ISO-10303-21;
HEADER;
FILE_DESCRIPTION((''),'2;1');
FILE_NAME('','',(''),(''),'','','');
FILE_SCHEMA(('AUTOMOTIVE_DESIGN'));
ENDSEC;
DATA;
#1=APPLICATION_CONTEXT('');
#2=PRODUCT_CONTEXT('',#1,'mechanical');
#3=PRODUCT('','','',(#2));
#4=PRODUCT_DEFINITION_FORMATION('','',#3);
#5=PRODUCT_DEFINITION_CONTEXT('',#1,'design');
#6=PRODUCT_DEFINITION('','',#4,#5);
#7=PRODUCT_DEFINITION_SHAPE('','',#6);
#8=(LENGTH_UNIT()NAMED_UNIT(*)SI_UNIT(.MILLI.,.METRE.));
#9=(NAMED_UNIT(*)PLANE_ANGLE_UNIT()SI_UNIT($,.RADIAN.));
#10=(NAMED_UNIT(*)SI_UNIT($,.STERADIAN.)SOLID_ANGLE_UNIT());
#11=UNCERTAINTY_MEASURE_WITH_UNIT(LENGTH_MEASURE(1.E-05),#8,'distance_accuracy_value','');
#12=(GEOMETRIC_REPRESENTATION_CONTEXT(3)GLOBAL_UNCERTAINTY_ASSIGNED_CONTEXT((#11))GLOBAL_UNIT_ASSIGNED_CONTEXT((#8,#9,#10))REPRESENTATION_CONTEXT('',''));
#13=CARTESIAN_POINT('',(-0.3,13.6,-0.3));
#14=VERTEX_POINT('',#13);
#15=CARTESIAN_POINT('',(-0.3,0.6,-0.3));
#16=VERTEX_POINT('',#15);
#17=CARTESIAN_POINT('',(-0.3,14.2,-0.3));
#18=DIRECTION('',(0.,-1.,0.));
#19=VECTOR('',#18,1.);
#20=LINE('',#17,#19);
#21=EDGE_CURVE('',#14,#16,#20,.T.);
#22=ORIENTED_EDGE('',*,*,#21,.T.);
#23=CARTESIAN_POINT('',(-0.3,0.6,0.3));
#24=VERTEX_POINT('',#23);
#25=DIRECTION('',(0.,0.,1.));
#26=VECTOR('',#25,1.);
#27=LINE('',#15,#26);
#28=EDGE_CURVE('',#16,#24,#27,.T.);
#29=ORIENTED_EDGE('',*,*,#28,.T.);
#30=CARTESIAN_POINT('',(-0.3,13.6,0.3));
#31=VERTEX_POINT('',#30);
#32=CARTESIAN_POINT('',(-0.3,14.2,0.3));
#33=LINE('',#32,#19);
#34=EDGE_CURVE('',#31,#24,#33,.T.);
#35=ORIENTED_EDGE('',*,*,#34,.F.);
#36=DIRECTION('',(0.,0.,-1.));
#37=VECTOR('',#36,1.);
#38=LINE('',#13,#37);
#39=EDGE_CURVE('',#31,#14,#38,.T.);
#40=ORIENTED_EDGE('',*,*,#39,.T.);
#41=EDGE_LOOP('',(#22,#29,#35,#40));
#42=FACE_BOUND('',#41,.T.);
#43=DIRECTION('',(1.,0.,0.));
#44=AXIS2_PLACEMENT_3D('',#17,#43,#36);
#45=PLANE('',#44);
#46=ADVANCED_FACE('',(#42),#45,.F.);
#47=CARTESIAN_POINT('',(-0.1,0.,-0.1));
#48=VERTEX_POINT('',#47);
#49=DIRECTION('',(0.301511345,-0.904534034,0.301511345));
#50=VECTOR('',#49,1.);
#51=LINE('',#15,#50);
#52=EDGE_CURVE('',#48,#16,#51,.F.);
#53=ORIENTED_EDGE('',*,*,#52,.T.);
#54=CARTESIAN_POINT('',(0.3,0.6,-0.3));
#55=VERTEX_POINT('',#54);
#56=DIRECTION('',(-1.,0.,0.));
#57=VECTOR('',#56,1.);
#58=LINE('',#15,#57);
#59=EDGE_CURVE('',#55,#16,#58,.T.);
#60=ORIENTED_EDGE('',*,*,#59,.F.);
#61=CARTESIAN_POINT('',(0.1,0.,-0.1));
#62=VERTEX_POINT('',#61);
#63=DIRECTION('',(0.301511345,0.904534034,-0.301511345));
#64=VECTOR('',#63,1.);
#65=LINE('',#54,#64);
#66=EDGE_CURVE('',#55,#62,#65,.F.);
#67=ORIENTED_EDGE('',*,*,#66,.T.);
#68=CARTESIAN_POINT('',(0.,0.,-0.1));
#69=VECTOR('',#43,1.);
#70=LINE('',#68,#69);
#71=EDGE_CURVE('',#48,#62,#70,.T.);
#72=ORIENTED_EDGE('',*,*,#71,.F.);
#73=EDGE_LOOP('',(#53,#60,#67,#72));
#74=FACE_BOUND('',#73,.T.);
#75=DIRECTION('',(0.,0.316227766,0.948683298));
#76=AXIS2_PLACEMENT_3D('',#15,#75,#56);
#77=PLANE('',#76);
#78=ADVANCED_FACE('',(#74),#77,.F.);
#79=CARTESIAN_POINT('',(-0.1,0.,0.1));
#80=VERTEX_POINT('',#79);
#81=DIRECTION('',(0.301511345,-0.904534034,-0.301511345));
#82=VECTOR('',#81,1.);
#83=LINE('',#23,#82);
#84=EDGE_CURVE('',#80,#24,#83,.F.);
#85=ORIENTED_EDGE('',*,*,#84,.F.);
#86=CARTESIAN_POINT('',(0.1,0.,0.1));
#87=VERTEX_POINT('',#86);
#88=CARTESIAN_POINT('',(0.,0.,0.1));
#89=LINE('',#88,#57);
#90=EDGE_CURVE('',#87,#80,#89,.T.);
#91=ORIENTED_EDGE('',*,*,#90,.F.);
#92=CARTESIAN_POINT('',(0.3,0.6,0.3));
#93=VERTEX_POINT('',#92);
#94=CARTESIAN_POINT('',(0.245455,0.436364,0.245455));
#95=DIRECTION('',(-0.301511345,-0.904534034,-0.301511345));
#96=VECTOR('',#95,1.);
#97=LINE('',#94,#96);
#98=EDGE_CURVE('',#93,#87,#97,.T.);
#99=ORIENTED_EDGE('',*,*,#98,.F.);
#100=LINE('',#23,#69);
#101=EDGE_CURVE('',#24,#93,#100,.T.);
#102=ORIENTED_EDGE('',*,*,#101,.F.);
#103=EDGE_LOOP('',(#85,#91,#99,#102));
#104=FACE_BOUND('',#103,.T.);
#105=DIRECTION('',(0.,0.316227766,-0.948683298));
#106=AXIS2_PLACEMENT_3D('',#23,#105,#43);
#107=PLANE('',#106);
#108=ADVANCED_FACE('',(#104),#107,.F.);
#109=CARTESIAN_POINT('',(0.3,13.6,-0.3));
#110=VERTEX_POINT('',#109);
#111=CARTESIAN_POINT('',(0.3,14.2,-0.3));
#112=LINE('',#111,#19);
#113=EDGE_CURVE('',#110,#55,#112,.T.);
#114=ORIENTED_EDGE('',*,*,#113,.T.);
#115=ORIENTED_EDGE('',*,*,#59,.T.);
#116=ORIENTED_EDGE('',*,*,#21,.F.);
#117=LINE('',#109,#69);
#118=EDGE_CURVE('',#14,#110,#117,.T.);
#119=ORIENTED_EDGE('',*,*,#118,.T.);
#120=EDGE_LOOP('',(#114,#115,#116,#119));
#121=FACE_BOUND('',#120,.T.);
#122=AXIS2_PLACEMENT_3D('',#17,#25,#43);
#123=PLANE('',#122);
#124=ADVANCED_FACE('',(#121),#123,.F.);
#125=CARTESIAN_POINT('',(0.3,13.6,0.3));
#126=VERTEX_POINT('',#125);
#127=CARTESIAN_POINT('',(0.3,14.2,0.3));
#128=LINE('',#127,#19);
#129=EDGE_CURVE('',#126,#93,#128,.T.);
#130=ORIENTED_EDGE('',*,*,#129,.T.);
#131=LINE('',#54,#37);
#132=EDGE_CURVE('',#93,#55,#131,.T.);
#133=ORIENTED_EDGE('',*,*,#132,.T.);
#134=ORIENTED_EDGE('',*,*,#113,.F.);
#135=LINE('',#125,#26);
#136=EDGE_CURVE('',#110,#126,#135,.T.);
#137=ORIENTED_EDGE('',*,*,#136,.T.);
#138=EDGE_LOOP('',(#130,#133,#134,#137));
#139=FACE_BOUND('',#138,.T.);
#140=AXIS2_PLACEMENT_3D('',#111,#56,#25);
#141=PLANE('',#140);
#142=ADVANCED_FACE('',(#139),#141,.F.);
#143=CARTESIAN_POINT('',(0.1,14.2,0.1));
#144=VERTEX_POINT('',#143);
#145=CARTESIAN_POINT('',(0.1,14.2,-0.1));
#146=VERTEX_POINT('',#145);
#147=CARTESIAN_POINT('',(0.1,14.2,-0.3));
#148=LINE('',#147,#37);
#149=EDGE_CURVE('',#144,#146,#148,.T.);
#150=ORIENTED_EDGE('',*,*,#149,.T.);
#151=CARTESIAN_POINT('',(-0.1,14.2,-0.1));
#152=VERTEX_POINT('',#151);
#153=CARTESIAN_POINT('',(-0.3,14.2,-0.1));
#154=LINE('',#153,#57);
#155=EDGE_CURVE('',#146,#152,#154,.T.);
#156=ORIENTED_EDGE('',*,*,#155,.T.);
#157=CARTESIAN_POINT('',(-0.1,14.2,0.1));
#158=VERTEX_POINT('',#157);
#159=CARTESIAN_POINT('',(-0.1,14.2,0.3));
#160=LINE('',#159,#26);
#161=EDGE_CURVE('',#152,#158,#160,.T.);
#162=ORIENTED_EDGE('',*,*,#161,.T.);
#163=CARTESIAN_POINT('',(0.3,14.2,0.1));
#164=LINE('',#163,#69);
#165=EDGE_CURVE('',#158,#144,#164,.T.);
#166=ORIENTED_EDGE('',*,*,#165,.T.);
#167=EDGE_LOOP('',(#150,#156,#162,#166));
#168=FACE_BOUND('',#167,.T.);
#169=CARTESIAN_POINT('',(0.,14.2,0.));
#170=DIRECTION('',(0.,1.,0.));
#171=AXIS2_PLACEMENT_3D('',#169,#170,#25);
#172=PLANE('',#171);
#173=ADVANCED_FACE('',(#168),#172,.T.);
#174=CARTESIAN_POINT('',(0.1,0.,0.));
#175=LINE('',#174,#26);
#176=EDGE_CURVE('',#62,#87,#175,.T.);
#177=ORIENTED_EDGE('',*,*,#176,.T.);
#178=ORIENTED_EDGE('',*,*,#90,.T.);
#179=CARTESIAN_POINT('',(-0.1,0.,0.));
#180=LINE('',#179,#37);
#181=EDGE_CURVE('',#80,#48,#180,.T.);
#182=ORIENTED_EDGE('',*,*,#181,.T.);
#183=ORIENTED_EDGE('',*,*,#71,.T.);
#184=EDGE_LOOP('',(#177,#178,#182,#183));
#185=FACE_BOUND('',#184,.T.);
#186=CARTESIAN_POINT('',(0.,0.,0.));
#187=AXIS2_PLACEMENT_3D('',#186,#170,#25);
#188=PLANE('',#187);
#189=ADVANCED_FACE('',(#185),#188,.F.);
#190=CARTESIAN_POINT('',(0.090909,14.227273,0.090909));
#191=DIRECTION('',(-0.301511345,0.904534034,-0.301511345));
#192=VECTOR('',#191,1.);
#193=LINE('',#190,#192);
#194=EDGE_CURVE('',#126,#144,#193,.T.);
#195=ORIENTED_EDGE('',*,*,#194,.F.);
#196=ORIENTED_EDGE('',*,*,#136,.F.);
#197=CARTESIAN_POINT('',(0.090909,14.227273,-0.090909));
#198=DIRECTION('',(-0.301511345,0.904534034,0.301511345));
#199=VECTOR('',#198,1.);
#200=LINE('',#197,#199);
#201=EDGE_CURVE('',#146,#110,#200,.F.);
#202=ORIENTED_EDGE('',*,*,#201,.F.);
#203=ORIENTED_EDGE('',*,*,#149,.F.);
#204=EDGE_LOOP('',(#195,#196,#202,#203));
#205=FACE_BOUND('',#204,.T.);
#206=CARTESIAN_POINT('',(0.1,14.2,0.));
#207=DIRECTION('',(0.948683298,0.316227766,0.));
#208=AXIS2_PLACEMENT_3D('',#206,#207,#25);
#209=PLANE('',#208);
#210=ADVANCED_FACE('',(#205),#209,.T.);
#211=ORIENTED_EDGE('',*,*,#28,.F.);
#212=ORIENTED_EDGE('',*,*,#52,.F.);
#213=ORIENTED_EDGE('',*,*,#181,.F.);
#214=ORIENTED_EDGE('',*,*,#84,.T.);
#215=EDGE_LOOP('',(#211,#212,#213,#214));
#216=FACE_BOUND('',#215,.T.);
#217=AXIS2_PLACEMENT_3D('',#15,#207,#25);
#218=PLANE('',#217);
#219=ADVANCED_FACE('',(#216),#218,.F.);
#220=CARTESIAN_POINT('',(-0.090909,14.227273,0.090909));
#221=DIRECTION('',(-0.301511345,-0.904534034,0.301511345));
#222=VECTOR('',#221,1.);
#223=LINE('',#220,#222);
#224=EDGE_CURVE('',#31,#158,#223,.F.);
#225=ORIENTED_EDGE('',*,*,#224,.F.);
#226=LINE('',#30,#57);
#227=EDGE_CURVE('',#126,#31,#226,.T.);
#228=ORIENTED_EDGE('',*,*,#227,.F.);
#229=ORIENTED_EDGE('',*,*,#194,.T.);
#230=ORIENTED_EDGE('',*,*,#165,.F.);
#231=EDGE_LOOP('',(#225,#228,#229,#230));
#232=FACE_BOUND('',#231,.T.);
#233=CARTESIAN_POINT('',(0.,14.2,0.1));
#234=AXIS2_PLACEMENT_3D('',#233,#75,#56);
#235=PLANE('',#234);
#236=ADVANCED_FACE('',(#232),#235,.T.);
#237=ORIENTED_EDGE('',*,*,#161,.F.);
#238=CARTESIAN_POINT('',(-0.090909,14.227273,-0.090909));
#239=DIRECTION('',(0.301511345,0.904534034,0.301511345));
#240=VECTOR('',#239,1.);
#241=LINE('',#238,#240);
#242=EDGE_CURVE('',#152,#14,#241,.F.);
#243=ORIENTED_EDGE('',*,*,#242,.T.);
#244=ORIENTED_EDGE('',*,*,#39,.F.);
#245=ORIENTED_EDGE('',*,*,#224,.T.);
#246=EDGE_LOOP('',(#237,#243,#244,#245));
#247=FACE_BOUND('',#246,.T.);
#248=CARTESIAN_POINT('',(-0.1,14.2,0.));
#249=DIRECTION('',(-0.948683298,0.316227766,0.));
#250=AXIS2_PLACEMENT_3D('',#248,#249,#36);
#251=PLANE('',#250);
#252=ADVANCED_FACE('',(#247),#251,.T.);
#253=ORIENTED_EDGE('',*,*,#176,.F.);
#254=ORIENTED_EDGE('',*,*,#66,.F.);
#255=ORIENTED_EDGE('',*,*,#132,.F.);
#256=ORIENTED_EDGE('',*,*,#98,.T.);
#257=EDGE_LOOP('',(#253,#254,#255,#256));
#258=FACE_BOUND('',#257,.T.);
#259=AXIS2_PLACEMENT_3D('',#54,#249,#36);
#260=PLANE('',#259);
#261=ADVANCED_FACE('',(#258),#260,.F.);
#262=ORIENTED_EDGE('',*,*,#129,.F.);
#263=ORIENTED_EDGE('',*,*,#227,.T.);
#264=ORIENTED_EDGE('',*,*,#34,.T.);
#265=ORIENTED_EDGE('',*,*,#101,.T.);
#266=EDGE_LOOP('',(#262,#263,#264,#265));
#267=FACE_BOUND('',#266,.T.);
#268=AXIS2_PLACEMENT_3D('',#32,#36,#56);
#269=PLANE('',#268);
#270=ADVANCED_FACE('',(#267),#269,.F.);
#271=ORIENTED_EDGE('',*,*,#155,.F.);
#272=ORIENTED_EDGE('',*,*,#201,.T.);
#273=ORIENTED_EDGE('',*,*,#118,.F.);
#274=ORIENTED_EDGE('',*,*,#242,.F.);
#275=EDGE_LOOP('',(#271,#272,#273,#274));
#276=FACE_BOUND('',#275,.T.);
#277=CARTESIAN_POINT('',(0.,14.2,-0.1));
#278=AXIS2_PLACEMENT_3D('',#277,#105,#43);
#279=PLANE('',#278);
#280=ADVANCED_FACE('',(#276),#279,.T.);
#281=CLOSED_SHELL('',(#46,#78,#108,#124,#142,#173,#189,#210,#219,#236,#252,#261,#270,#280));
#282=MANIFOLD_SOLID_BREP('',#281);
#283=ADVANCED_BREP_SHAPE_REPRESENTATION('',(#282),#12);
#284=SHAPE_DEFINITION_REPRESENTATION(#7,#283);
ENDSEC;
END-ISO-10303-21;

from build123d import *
from OCP.BRepFilletAPI import BRepFilletAPI_MakeChamfer

# Parameters (mm, degrees)
SKIZZE1_W                       = 0.6
SKIZZE1_H                       = 0.6
AUFSATZ_LINEAR_AUSTRAGEN1_DEPTH = 14.2
FASE1_SIZE                      = 0.6
FASE1_SIZE2                     = 0.2
FASE2_SIZE                      = 0.2
FASE2_SIZE2                     = 0.6


with BuildPart() as part:
    # Skizze1 → Aufsatz-Linear austragen1 (new body)
    with BuildSketch(Plane(origin=(0, 0, 0), x_dir=(1, 0, 0), z_dir=(0, 1, 0))):
        Rectangle(SKIZZE1_W, SKIZZE1_H)
    extrude(amount=AUFSATZ_LINEAR_AUSTRAGEN1_DEPTH)

    # Fase1: one chamfer whose edges measure the first distance from different faces: ONE call of the kernel's chamfer builder (chamfer() names one face for all edges)
    fase1_edges_1 = [part.edges().sort_by_distance(p)[0] for p in [
        (-0.3, 14.2, 0),
    ]]
    fase1_side_1 = [part.faces().sort_by_distance(p)[0] for p in [
        (-0.3, 7.1, 0),
    ]]
    fase1_edges_2 = [part.edges().sort_by_distance(p)[0] for p in [
        (0, 14.2, 0.3),
    ]]
    fase1_side_2 = [part.faces().sort_by_distance(p)[0] for p in [
        (0, 7.1, 0.3),
    ]]
    fase1_edges_3 = [part.edges().sort_by_distance(p)[0] for p in [
        (0.3, 14.2, 0),
    ]]
    fase1_side_3 = [part.faces().sort_by_distance(p)[0] for p in [
        (0.3, 7.1, 0),
    ]]
    fase1_edges_4 = [part.edges().sort_by_distance(p)[0] for p in [
        (0, 14.2, -0.3),
    ]]
    fase1_side_4 = [part.faces().sort_by_distance(p)[0] for p in [
        (0, 7.1, -0.3),
    ]]
    fase1 = BRepFilletAPI_MakeChamfer(part.part.solid().wrapped)
    for e in fase1_edges_1:
        fase1.Add(FASE1_SIZE, FASE1_SIZE2, e.wrapped, fase1_side_1[0].wrapped)  # the first distance lies on this face
    for e in fase1_edges_2:
        fase1.Add(FASE1_SIZE, FASE1_SIZE2, e.wrapped, fase1_side_2[0].wrapped)  # the first distance lies on this face
    for e in fase1_edges_3:
        fase1.Add(FASE1_SIZE, FASE1_SIZE2, e.wrapped, fase1_side_3[0].wrapped)  # the first distance lies on this face
    for e in fase1_edges_4:
        fase1.Add(FASE1_SIZE, FASE1_SIZE2, e.wrapped, fase1_side_4[0].wrapped)  # the first distance lies on this face
    add(Compound.cast(fase1.Shape()), mode=Mode.REPLACE)

    # Fase2
    fase2_edges = [part.edges().sort_by_distance(p)[0] for p in [
        (0, 0, 0.3),
        (-0.3, 0, 0),
        (0, 0, -0.3),
        (0.3, 0, 0),
    ]]
    fase2_side = [part.faces().sort_by_distance(p)[0] for p in [
        (0, 0, 0),
    ]]
    chamfer(fase2_edges, length=FASE2_SIZE, length2=FASE2_SIZE2, reference=fase2_side[0])


solid = part.part
